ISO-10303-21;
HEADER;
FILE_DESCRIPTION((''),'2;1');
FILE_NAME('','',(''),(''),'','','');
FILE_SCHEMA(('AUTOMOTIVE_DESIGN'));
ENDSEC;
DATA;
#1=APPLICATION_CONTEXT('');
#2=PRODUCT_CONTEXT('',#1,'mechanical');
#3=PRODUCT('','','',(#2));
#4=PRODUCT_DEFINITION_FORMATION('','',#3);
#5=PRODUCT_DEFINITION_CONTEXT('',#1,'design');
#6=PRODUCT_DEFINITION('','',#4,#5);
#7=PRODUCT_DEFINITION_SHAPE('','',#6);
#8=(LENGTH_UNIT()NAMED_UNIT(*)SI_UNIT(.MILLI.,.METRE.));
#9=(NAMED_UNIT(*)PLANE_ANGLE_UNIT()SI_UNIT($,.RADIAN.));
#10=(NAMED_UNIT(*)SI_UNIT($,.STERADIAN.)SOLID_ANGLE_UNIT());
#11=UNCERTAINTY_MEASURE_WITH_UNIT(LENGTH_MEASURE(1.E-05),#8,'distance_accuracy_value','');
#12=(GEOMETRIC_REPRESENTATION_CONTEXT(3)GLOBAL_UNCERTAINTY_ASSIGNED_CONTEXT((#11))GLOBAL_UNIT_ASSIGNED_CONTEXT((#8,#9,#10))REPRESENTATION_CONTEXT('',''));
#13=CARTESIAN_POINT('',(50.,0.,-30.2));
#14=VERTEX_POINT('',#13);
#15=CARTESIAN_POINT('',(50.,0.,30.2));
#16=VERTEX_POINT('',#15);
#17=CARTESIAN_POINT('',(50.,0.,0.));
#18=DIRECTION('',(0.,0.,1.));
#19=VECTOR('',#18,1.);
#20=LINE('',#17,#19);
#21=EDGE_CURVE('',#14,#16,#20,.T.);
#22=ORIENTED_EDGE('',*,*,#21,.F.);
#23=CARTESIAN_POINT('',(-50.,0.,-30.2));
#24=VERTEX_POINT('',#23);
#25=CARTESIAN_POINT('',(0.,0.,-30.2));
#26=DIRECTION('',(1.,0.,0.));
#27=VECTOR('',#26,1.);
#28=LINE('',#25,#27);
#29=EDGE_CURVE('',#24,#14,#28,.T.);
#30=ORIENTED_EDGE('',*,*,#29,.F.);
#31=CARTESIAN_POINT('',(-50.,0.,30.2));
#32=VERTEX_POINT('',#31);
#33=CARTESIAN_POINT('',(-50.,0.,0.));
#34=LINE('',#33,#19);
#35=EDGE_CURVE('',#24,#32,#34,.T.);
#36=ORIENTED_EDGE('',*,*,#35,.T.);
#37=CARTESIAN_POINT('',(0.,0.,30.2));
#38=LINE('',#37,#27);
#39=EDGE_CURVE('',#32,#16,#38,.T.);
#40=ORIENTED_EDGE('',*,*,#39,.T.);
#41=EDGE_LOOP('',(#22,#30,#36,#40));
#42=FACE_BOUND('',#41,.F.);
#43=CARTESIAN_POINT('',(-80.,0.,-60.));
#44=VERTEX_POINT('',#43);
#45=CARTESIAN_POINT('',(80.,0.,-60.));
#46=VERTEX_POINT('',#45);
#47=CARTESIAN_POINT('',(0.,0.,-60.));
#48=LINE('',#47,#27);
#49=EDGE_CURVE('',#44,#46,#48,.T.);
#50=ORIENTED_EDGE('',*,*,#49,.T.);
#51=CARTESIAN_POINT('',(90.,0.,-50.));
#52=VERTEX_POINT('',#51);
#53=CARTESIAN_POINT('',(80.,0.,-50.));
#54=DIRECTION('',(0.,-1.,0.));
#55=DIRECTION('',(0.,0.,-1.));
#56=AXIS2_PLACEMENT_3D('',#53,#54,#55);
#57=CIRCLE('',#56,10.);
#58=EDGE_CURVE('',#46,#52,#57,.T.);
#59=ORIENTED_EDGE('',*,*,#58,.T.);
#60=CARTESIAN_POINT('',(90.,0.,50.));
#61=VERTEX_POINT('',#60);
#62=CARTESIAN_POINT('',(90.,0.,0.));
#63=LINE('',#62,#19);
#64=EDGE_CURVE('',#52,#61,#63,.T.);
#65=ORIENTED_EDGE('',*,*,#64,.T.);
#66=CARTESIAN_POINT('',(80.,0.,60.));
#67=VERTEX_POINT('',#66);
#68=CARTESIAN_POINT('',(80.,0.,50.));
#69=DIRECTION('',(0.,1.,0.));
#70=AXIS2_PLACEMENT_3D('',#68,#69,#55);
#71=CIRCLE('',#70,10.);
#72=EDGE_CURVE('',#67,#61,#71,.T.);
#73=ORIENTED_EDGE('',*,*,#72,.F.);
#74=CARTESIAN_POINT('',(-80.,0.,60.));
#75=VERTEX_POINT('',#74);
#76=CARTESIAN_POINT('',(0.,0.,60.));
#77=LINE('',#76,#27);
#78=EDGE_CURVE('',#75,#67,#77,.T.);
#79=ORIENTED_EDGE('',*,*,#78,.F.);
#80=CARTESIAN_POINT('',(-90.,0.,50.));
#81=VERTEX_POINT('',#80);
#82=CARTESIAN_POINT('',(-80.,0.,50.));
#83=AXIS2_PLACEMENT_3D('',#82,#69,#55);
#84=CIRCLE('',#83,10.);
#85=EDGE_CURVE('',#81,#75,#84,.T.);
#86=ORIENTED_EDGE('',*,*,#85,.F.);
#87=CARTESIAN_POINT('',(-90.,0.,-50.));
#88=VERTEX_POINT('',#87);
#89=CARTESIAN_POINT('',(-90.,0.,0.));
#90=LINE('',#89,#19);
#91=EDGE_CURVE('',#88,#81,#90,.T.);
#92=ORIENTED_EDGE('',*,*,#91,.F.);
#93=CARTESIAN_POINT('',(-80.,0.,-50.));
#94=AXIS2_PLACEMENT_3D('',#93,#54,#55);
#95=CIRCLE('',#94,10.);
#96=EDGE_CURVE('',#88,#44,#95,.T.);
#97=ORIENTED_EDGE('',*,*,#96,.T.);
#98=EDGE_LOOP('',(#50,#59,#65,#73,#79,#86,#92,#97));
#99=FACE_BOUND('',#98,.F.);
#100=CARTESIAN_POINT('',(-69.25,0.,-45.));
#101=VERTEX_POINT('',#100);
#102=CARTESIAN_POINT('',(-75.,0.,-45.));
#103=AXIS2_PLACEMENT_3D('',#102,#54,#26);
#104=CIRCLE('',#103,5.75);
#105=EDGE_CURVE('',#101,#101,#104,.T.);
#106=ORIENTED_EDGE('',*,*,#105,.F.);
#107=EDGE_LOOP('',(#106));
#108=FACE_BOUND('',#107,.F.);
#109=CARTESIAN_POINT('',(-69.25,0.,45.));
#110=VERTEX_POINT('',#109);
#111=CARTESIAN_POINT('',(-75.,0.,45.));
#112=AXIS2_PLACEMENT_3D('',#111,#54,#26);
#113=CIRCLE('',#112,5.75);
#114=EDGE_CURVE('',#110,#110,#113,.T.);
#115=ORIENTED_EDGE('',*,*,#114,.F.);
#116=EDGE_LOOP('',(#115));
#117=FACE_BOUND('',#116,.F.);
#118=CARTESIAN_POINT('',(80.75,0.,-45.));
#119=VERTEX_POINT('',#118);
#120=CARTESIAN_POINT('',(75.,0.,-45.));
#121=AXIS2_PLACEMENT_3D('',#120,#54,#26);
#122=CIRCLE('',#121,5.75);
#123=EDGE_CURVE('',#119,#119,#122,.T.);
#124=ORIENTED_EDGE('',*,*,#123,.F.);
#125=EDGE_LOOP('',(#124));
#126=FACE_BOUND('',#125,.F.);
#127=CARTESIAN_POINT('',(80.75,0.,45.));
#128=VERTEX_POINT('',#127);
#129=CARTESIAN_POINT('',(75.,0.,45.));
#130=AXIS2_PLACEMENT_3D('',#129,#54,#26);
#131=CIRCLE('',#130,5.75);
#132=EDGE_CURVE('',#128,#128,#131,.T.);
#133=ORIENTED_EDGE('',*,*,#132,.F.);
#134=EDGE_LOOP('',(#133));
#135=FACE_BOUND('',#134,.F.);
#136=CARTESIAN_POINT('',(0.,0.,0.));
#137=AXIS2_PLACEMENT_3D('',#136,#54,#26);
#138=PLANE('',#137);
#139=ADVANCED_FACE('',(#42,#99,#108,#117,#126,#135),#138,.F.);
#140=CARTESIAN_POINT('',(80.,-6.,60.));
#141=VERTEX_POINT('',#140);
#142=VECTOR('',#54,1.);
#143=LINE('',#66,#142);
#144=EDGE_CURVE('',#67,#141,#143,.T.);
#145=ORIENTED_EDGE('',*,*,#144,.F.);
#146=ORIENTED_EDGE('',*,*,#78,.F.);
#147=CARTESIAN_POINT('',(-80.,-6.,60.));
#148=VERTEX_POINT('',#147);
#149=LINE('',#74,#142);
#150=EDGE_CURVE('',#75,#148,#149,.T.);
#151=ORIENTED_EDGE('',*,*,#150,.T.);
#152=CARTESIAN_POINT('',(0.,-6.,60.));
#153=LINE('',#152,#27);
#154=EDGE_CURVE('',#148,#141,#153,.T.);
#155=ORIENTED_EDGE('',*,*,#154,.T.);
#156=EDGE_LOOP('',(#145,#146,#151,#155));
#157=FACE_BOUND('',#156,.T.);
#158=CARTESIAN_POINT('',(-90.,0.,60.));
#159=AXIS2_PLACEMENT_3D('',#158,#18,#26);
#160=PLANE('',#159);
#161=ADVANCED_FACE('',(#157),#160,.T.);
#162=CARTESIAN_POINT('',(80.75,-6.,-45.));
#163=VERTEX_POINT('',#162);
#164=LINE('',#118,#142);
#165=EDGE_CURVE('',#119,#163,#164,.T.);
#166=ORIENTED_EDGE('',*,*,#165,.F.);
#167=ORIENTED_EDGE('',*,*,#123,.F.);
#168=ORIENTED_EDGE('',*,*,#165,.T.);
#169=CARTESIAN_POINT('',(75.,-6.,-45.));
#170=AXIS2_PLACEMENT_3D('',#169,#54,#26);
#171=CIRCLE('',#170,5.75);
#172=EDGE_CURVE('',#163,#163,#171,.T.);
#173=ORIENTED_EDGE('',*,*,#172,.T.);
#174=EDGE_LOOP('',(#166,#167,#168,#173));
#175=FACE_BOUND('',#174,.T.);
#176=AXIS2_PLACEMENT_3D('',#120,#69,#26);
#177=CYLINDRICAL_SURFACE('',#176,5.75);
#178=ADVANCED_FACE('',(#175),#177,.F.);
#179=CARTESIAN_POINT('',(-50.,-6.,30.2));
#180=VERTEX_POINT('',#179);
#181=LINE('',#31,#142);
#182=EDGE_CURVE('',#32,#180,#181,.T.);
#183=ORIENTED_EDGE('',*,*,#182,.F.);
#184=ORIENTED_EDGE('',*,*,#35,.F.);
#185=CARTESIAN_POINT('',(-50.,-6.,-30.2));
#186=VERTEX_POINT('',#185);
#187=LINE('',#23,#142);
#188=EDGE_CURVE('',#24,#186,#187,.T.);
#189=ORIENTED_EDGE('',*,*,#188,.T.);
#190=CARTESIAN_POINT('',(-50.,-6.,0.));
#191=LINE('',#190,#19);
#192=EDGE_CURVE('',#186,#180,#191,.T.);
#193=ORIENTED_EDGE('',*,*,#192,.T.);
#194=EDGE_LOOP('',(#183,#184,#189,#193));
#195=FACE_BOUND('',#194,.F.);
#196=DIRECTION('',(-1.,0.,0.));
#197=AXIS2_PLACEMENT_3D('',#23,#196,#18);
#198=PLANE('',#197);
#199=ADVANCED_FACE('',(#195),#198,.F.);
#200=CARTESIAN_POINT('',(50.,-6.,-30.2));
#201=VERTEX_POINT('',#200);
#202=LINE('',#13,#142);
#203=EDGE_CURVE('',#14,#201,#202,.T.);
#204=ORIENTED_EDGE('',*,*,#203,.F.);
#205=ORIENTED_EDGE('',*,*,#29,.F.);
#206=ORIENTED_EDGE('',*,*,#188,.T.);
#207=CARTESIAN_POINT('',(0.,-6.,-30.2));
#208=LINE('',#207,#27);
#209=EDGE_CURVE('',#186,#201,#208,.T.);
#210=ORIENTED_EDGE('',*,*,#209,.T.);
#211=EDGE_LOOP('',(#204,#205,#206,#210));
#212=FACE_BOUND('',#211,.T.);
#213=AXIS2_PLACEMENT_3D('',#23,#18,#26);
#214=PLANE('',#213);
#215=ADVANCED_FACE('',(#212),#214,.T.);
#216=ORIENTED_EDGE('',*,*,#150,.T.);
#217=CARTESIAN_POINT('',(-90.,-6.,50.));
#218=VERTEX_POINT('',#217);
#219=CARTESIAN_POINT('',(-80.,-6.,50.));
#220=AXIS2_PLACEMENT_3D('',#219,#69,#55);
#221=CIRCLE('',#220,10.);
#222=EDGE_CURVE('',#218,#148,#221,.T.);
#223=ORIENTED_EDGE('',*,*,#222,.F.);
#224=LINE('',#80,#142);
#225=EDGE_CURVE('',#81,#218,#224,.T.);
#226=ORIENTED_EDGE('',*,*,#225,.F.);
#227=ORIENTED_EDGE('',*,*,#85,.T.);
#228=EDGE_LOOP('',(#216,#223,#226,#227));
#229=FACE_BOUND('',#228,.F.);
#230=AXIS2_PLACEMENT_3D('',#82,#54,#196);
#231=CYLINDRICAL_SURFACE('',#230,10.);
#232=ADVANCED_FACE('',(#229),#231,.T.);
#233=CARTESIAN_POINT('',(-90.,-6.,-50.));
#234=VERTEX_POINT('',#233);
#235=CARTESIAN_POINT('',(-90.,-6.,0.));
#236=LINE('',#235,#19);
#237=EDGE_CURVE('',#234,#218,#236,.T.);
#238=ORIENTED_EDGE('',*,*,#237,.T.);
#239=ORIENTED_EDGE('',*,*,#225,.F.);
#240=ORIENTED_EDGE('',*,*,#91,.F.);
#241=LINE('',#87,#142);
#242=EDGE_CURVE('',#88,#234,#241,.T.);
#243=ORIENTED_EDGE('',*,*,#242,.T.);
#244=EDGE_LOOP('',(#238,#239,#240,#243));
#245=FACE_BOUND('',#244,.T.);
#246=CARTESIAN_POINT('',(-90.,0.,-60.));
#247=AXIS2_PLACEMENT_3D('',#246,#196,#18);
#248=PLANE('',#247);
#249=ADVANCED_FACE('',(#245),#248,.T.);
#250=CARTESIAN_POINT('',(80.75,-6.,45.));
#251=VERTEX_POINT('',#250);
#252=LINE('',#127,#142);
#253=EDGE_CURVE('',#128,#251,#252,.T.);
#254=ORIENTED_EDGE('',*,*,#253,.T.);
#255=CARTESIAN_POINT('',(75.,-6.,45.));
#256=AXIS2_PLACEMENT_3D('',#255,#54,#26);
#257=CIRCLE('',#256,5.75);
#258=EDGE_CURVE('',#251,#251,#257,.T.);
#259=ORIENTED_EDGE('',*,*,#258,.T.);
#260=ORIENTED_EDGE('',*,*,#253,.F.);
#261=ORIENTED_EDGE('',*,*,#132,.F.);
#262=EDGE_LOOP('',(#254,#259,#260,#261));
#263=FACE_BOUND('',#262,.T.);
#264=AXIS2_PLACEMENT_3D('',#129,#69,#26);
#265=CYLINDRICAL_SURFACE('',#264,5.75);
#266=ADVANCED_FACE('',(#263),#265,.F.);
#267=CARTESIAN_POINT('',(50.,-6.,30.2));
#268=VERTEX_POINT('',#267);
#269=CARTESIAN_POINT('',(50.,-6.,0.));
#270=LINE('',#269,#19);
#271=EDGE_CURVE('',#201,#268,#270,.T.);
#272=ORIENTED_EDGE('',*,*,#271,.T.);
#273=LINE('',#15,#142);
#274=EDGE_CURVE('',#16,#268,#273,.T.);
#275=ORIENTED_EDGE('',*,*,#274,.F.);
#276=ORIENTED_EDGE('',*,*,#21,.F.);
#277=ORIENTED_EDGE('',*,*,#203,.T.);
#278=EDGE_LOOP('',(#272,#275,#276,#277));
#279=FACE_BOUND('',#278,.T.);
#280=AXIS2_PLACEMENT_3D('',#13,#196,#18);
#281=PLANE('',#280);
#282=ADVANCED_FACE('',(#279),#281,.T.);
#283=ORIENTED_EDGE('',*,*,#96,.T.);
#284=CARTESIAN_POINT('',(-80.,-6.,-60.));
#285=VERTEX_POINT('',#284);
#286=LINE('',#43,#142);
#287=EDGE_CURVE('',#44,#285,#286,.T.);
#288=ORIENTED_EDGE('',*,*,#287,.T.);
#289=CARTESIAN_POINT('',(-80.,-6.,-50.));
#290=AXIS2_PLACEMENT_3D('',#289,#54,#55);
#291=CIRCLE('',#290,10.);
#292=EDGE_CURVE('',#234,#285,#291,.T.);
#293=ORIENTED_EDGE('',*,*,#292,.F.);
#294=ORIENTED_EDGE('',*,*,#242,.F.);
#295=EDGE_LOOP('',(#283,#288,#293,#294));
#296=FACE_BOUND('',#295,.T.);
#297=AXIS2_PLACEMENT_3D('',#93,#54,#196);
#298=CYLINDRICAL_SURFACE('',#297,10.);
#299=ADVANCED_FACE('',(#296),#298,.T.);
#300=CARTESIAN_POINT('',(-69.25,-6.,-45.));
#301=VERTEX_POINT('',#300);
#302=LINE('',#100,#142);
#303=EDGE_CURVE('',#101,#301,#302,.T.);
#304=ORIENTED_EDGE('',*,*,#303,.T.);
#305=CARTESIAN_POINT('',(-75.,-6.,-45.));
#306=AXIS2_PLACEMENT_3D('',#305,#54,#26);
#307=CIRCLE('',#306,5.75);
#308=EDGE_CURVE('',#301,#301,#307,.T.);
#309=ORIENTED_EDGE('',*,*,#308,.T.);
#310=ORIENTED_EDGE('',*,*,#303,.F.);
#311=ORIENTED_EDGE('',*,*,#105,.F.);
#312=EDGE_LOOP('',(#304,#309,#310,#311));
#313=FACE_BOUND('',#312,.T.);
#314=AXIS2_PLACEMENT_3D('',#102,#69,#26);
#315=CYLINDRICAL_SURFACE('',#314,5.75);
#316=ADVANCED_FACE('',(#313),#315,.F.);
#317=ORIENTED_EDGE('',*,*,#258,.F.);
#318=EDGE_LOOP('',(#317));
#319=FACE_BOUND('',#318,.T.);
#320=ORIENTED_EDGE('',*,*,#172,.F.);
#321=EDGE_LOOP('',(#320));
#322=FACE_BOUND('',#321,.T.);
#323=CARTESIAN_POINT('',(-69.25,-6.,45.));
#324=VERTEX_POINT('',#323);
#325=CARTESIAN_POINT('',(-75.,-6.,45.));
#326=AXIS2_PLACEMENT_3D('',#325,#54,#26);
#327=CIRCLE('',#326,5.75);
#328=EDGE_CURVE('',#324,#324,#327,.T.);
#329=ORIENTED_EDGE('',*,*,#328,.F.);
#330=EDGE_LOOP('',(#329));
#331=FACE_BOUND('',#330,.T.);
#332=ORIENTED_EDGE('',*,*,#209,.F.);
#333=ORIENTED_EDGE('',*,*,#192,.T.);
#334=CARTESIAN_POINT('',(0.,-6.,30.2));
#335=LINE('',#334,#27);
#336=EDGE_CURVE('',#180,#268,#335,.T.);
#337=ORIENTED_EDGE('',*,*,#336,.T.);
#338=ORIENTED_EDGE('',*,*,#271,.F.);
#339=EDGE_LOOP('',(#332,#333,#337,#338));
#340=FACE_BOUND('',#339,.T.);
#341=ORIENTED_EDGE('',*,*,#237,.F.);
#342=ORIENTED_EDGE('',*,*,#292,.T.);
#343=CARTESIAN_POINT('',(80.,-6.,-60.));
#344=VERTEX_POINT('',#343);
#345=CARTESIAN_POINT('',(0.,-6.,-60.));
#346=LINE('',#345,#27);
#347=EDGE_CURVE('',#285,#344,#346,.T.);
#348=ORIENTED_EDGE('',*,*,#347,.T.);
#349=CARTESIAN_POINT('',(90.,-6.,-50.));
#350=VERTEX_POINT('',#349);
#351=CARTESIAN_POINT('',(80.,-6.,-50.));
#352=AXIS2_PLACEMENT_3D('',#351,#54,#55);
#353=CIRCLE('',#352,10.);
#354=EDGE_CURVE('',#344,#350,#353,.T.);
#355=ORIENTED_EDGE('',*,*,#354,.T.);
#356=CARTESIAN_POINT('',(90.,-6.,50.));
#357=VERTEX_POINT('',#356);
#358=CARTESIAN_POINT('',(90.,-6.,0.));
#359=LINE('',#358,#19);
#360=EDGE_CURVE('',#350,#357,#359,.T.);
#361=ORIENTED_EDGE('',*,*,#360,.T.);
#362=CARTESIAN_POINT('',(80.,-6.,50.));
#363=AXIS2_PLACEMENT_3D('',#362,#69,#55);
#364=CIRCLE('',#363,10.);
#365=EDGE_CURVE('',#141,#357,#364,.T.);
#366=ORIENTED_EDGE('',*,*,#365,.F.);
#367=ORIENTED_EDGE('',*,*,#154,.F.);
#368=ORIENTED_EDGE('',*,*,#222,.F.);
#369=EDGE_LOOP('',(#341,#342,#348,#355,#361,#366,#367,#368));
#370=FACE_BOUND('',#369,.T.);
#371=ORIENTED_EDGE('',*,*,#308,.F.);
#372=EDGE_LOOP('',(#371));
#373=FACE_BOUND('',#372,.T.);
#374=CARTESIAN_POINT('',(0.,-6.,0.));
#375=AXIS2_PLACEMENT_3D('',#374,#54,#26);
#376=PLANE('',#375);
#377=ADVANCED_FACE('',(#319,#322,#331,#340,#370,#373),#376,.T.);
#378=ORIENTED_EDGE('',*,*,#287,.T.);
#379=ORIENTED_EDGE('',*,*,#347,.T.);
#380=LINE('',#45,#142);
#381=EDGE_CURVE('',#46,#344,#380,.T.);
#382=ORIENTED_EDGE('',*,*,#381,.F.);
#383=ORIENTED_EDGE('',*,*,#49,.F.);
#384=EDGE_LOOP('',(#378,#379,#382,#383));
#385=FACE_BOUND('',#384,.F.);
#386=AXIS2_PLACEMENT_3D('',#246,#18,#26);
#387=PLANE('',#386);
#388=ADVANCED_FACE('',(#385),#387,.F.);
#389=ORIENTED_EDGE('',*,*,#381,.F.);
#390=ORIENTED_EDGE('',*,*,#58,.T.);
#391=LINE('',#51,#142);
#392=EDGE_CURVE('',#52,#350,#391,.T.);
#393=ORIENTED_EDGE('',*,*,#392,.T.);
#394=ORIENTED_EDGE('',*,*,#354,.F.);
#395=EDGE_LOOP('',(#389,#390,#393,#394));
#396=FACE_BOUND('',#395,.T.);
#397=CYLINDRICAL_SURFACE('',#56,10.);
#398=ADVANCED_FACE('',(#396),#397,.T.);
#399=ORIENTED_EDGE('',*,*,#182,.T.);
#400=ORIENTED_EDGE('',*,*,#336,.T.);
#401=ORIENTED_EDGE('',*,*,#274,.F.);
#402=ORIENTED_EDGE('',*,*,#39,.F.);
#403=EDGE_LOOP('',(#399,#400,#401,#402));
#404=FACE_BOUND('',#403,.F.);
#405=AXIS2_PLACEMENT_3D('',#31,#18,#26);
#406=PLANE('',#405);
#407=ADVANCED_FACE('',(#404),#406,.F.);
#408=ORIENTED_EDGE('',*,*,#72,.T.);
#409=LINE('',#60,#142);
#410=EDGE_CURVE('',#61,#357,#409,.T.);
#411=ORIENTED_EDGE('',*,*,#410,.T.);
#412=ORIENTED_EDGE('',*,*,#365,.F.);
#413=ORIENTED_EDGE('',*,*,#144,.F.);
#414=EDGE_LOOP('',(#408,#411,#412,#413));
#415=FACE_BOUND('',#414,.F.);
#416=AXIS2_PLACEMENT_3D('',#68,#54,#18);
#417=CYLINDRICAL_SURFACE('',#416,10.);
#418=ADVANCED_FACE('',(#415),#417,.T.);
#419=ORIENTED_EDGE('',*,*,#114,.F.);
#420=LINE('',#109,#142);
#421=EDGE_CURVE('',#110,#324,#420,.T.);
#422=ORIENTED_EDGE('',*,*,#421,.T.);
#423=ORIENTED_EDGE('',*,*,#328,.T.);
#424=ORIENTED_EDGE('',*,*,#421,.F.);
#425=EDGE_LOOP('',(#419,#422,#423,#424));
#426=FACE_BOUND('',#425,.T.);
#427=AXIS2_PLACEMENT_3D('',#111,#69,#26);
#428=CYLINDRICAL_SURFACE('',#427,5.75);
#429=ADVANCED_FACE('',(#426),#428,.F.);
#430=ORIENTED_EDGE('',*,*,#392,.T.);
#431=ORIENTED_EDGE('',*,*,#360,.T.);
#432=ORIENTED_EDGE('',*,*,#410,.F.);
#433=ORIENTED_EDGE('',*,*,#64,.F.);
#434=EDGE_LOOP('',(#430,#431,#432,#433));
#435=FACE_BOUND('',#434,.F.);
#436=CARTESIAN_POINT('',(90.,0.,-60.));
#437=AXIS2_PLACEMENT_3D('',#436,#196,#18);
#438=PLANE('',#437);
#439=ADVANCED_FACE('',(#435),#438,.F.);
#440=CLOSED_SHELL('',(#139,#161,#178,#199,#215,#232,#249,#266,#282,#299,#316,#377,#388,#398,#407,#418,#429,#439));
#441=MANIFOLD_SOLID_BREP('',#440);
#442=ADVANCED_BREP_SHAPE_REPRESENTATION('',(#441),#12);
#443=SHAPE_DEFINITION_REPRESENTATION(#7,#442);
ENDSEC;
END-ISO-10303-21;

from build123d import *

# Parameters (mm, degrees)
F0_W     = 180
F0_H     = 120
F0_R     = 5.75
F0_W_2   = 100
F0_H_2   = 60.4
F1_DEPTH = 6
F2_R     = 10


with BuildPart() as f1:
    # F0 (on Front) → F1 (new body)
    with BuildSketch(Plane.XZ):
        Rectangle(F0_W, F0_H)
        with Locations((-75, -45)):
            Circle(F0_R, mode=Mode.SUBTRACT)
        with Locations((75, -45)):
            Circle(F0_R, mode=Mode.SUBTRACT)
        with Locations((-75, 45)):
            Circle(F0_R, mode=Mode.SUBTRACT)
        Rectangle(F0_W_2, F0_H_2, mode=Mode.SUBTRACT)
        with Locations((75, 45)):
            Circle(F0_R, mode=Mode.SUBTRACT)
    extrude(amount=F1_DEPTH)

    # F2
    f2_edges = [f1.edges().sort_by_distance(p)[0] for p in [
        (-90, -3, 60),
        (90, -3, 60),
        (90, -3, -60),
        (-90, -3, -60),
    ]]
    fillet(f2_edges, radius=F2_R)


solid = f1.part
